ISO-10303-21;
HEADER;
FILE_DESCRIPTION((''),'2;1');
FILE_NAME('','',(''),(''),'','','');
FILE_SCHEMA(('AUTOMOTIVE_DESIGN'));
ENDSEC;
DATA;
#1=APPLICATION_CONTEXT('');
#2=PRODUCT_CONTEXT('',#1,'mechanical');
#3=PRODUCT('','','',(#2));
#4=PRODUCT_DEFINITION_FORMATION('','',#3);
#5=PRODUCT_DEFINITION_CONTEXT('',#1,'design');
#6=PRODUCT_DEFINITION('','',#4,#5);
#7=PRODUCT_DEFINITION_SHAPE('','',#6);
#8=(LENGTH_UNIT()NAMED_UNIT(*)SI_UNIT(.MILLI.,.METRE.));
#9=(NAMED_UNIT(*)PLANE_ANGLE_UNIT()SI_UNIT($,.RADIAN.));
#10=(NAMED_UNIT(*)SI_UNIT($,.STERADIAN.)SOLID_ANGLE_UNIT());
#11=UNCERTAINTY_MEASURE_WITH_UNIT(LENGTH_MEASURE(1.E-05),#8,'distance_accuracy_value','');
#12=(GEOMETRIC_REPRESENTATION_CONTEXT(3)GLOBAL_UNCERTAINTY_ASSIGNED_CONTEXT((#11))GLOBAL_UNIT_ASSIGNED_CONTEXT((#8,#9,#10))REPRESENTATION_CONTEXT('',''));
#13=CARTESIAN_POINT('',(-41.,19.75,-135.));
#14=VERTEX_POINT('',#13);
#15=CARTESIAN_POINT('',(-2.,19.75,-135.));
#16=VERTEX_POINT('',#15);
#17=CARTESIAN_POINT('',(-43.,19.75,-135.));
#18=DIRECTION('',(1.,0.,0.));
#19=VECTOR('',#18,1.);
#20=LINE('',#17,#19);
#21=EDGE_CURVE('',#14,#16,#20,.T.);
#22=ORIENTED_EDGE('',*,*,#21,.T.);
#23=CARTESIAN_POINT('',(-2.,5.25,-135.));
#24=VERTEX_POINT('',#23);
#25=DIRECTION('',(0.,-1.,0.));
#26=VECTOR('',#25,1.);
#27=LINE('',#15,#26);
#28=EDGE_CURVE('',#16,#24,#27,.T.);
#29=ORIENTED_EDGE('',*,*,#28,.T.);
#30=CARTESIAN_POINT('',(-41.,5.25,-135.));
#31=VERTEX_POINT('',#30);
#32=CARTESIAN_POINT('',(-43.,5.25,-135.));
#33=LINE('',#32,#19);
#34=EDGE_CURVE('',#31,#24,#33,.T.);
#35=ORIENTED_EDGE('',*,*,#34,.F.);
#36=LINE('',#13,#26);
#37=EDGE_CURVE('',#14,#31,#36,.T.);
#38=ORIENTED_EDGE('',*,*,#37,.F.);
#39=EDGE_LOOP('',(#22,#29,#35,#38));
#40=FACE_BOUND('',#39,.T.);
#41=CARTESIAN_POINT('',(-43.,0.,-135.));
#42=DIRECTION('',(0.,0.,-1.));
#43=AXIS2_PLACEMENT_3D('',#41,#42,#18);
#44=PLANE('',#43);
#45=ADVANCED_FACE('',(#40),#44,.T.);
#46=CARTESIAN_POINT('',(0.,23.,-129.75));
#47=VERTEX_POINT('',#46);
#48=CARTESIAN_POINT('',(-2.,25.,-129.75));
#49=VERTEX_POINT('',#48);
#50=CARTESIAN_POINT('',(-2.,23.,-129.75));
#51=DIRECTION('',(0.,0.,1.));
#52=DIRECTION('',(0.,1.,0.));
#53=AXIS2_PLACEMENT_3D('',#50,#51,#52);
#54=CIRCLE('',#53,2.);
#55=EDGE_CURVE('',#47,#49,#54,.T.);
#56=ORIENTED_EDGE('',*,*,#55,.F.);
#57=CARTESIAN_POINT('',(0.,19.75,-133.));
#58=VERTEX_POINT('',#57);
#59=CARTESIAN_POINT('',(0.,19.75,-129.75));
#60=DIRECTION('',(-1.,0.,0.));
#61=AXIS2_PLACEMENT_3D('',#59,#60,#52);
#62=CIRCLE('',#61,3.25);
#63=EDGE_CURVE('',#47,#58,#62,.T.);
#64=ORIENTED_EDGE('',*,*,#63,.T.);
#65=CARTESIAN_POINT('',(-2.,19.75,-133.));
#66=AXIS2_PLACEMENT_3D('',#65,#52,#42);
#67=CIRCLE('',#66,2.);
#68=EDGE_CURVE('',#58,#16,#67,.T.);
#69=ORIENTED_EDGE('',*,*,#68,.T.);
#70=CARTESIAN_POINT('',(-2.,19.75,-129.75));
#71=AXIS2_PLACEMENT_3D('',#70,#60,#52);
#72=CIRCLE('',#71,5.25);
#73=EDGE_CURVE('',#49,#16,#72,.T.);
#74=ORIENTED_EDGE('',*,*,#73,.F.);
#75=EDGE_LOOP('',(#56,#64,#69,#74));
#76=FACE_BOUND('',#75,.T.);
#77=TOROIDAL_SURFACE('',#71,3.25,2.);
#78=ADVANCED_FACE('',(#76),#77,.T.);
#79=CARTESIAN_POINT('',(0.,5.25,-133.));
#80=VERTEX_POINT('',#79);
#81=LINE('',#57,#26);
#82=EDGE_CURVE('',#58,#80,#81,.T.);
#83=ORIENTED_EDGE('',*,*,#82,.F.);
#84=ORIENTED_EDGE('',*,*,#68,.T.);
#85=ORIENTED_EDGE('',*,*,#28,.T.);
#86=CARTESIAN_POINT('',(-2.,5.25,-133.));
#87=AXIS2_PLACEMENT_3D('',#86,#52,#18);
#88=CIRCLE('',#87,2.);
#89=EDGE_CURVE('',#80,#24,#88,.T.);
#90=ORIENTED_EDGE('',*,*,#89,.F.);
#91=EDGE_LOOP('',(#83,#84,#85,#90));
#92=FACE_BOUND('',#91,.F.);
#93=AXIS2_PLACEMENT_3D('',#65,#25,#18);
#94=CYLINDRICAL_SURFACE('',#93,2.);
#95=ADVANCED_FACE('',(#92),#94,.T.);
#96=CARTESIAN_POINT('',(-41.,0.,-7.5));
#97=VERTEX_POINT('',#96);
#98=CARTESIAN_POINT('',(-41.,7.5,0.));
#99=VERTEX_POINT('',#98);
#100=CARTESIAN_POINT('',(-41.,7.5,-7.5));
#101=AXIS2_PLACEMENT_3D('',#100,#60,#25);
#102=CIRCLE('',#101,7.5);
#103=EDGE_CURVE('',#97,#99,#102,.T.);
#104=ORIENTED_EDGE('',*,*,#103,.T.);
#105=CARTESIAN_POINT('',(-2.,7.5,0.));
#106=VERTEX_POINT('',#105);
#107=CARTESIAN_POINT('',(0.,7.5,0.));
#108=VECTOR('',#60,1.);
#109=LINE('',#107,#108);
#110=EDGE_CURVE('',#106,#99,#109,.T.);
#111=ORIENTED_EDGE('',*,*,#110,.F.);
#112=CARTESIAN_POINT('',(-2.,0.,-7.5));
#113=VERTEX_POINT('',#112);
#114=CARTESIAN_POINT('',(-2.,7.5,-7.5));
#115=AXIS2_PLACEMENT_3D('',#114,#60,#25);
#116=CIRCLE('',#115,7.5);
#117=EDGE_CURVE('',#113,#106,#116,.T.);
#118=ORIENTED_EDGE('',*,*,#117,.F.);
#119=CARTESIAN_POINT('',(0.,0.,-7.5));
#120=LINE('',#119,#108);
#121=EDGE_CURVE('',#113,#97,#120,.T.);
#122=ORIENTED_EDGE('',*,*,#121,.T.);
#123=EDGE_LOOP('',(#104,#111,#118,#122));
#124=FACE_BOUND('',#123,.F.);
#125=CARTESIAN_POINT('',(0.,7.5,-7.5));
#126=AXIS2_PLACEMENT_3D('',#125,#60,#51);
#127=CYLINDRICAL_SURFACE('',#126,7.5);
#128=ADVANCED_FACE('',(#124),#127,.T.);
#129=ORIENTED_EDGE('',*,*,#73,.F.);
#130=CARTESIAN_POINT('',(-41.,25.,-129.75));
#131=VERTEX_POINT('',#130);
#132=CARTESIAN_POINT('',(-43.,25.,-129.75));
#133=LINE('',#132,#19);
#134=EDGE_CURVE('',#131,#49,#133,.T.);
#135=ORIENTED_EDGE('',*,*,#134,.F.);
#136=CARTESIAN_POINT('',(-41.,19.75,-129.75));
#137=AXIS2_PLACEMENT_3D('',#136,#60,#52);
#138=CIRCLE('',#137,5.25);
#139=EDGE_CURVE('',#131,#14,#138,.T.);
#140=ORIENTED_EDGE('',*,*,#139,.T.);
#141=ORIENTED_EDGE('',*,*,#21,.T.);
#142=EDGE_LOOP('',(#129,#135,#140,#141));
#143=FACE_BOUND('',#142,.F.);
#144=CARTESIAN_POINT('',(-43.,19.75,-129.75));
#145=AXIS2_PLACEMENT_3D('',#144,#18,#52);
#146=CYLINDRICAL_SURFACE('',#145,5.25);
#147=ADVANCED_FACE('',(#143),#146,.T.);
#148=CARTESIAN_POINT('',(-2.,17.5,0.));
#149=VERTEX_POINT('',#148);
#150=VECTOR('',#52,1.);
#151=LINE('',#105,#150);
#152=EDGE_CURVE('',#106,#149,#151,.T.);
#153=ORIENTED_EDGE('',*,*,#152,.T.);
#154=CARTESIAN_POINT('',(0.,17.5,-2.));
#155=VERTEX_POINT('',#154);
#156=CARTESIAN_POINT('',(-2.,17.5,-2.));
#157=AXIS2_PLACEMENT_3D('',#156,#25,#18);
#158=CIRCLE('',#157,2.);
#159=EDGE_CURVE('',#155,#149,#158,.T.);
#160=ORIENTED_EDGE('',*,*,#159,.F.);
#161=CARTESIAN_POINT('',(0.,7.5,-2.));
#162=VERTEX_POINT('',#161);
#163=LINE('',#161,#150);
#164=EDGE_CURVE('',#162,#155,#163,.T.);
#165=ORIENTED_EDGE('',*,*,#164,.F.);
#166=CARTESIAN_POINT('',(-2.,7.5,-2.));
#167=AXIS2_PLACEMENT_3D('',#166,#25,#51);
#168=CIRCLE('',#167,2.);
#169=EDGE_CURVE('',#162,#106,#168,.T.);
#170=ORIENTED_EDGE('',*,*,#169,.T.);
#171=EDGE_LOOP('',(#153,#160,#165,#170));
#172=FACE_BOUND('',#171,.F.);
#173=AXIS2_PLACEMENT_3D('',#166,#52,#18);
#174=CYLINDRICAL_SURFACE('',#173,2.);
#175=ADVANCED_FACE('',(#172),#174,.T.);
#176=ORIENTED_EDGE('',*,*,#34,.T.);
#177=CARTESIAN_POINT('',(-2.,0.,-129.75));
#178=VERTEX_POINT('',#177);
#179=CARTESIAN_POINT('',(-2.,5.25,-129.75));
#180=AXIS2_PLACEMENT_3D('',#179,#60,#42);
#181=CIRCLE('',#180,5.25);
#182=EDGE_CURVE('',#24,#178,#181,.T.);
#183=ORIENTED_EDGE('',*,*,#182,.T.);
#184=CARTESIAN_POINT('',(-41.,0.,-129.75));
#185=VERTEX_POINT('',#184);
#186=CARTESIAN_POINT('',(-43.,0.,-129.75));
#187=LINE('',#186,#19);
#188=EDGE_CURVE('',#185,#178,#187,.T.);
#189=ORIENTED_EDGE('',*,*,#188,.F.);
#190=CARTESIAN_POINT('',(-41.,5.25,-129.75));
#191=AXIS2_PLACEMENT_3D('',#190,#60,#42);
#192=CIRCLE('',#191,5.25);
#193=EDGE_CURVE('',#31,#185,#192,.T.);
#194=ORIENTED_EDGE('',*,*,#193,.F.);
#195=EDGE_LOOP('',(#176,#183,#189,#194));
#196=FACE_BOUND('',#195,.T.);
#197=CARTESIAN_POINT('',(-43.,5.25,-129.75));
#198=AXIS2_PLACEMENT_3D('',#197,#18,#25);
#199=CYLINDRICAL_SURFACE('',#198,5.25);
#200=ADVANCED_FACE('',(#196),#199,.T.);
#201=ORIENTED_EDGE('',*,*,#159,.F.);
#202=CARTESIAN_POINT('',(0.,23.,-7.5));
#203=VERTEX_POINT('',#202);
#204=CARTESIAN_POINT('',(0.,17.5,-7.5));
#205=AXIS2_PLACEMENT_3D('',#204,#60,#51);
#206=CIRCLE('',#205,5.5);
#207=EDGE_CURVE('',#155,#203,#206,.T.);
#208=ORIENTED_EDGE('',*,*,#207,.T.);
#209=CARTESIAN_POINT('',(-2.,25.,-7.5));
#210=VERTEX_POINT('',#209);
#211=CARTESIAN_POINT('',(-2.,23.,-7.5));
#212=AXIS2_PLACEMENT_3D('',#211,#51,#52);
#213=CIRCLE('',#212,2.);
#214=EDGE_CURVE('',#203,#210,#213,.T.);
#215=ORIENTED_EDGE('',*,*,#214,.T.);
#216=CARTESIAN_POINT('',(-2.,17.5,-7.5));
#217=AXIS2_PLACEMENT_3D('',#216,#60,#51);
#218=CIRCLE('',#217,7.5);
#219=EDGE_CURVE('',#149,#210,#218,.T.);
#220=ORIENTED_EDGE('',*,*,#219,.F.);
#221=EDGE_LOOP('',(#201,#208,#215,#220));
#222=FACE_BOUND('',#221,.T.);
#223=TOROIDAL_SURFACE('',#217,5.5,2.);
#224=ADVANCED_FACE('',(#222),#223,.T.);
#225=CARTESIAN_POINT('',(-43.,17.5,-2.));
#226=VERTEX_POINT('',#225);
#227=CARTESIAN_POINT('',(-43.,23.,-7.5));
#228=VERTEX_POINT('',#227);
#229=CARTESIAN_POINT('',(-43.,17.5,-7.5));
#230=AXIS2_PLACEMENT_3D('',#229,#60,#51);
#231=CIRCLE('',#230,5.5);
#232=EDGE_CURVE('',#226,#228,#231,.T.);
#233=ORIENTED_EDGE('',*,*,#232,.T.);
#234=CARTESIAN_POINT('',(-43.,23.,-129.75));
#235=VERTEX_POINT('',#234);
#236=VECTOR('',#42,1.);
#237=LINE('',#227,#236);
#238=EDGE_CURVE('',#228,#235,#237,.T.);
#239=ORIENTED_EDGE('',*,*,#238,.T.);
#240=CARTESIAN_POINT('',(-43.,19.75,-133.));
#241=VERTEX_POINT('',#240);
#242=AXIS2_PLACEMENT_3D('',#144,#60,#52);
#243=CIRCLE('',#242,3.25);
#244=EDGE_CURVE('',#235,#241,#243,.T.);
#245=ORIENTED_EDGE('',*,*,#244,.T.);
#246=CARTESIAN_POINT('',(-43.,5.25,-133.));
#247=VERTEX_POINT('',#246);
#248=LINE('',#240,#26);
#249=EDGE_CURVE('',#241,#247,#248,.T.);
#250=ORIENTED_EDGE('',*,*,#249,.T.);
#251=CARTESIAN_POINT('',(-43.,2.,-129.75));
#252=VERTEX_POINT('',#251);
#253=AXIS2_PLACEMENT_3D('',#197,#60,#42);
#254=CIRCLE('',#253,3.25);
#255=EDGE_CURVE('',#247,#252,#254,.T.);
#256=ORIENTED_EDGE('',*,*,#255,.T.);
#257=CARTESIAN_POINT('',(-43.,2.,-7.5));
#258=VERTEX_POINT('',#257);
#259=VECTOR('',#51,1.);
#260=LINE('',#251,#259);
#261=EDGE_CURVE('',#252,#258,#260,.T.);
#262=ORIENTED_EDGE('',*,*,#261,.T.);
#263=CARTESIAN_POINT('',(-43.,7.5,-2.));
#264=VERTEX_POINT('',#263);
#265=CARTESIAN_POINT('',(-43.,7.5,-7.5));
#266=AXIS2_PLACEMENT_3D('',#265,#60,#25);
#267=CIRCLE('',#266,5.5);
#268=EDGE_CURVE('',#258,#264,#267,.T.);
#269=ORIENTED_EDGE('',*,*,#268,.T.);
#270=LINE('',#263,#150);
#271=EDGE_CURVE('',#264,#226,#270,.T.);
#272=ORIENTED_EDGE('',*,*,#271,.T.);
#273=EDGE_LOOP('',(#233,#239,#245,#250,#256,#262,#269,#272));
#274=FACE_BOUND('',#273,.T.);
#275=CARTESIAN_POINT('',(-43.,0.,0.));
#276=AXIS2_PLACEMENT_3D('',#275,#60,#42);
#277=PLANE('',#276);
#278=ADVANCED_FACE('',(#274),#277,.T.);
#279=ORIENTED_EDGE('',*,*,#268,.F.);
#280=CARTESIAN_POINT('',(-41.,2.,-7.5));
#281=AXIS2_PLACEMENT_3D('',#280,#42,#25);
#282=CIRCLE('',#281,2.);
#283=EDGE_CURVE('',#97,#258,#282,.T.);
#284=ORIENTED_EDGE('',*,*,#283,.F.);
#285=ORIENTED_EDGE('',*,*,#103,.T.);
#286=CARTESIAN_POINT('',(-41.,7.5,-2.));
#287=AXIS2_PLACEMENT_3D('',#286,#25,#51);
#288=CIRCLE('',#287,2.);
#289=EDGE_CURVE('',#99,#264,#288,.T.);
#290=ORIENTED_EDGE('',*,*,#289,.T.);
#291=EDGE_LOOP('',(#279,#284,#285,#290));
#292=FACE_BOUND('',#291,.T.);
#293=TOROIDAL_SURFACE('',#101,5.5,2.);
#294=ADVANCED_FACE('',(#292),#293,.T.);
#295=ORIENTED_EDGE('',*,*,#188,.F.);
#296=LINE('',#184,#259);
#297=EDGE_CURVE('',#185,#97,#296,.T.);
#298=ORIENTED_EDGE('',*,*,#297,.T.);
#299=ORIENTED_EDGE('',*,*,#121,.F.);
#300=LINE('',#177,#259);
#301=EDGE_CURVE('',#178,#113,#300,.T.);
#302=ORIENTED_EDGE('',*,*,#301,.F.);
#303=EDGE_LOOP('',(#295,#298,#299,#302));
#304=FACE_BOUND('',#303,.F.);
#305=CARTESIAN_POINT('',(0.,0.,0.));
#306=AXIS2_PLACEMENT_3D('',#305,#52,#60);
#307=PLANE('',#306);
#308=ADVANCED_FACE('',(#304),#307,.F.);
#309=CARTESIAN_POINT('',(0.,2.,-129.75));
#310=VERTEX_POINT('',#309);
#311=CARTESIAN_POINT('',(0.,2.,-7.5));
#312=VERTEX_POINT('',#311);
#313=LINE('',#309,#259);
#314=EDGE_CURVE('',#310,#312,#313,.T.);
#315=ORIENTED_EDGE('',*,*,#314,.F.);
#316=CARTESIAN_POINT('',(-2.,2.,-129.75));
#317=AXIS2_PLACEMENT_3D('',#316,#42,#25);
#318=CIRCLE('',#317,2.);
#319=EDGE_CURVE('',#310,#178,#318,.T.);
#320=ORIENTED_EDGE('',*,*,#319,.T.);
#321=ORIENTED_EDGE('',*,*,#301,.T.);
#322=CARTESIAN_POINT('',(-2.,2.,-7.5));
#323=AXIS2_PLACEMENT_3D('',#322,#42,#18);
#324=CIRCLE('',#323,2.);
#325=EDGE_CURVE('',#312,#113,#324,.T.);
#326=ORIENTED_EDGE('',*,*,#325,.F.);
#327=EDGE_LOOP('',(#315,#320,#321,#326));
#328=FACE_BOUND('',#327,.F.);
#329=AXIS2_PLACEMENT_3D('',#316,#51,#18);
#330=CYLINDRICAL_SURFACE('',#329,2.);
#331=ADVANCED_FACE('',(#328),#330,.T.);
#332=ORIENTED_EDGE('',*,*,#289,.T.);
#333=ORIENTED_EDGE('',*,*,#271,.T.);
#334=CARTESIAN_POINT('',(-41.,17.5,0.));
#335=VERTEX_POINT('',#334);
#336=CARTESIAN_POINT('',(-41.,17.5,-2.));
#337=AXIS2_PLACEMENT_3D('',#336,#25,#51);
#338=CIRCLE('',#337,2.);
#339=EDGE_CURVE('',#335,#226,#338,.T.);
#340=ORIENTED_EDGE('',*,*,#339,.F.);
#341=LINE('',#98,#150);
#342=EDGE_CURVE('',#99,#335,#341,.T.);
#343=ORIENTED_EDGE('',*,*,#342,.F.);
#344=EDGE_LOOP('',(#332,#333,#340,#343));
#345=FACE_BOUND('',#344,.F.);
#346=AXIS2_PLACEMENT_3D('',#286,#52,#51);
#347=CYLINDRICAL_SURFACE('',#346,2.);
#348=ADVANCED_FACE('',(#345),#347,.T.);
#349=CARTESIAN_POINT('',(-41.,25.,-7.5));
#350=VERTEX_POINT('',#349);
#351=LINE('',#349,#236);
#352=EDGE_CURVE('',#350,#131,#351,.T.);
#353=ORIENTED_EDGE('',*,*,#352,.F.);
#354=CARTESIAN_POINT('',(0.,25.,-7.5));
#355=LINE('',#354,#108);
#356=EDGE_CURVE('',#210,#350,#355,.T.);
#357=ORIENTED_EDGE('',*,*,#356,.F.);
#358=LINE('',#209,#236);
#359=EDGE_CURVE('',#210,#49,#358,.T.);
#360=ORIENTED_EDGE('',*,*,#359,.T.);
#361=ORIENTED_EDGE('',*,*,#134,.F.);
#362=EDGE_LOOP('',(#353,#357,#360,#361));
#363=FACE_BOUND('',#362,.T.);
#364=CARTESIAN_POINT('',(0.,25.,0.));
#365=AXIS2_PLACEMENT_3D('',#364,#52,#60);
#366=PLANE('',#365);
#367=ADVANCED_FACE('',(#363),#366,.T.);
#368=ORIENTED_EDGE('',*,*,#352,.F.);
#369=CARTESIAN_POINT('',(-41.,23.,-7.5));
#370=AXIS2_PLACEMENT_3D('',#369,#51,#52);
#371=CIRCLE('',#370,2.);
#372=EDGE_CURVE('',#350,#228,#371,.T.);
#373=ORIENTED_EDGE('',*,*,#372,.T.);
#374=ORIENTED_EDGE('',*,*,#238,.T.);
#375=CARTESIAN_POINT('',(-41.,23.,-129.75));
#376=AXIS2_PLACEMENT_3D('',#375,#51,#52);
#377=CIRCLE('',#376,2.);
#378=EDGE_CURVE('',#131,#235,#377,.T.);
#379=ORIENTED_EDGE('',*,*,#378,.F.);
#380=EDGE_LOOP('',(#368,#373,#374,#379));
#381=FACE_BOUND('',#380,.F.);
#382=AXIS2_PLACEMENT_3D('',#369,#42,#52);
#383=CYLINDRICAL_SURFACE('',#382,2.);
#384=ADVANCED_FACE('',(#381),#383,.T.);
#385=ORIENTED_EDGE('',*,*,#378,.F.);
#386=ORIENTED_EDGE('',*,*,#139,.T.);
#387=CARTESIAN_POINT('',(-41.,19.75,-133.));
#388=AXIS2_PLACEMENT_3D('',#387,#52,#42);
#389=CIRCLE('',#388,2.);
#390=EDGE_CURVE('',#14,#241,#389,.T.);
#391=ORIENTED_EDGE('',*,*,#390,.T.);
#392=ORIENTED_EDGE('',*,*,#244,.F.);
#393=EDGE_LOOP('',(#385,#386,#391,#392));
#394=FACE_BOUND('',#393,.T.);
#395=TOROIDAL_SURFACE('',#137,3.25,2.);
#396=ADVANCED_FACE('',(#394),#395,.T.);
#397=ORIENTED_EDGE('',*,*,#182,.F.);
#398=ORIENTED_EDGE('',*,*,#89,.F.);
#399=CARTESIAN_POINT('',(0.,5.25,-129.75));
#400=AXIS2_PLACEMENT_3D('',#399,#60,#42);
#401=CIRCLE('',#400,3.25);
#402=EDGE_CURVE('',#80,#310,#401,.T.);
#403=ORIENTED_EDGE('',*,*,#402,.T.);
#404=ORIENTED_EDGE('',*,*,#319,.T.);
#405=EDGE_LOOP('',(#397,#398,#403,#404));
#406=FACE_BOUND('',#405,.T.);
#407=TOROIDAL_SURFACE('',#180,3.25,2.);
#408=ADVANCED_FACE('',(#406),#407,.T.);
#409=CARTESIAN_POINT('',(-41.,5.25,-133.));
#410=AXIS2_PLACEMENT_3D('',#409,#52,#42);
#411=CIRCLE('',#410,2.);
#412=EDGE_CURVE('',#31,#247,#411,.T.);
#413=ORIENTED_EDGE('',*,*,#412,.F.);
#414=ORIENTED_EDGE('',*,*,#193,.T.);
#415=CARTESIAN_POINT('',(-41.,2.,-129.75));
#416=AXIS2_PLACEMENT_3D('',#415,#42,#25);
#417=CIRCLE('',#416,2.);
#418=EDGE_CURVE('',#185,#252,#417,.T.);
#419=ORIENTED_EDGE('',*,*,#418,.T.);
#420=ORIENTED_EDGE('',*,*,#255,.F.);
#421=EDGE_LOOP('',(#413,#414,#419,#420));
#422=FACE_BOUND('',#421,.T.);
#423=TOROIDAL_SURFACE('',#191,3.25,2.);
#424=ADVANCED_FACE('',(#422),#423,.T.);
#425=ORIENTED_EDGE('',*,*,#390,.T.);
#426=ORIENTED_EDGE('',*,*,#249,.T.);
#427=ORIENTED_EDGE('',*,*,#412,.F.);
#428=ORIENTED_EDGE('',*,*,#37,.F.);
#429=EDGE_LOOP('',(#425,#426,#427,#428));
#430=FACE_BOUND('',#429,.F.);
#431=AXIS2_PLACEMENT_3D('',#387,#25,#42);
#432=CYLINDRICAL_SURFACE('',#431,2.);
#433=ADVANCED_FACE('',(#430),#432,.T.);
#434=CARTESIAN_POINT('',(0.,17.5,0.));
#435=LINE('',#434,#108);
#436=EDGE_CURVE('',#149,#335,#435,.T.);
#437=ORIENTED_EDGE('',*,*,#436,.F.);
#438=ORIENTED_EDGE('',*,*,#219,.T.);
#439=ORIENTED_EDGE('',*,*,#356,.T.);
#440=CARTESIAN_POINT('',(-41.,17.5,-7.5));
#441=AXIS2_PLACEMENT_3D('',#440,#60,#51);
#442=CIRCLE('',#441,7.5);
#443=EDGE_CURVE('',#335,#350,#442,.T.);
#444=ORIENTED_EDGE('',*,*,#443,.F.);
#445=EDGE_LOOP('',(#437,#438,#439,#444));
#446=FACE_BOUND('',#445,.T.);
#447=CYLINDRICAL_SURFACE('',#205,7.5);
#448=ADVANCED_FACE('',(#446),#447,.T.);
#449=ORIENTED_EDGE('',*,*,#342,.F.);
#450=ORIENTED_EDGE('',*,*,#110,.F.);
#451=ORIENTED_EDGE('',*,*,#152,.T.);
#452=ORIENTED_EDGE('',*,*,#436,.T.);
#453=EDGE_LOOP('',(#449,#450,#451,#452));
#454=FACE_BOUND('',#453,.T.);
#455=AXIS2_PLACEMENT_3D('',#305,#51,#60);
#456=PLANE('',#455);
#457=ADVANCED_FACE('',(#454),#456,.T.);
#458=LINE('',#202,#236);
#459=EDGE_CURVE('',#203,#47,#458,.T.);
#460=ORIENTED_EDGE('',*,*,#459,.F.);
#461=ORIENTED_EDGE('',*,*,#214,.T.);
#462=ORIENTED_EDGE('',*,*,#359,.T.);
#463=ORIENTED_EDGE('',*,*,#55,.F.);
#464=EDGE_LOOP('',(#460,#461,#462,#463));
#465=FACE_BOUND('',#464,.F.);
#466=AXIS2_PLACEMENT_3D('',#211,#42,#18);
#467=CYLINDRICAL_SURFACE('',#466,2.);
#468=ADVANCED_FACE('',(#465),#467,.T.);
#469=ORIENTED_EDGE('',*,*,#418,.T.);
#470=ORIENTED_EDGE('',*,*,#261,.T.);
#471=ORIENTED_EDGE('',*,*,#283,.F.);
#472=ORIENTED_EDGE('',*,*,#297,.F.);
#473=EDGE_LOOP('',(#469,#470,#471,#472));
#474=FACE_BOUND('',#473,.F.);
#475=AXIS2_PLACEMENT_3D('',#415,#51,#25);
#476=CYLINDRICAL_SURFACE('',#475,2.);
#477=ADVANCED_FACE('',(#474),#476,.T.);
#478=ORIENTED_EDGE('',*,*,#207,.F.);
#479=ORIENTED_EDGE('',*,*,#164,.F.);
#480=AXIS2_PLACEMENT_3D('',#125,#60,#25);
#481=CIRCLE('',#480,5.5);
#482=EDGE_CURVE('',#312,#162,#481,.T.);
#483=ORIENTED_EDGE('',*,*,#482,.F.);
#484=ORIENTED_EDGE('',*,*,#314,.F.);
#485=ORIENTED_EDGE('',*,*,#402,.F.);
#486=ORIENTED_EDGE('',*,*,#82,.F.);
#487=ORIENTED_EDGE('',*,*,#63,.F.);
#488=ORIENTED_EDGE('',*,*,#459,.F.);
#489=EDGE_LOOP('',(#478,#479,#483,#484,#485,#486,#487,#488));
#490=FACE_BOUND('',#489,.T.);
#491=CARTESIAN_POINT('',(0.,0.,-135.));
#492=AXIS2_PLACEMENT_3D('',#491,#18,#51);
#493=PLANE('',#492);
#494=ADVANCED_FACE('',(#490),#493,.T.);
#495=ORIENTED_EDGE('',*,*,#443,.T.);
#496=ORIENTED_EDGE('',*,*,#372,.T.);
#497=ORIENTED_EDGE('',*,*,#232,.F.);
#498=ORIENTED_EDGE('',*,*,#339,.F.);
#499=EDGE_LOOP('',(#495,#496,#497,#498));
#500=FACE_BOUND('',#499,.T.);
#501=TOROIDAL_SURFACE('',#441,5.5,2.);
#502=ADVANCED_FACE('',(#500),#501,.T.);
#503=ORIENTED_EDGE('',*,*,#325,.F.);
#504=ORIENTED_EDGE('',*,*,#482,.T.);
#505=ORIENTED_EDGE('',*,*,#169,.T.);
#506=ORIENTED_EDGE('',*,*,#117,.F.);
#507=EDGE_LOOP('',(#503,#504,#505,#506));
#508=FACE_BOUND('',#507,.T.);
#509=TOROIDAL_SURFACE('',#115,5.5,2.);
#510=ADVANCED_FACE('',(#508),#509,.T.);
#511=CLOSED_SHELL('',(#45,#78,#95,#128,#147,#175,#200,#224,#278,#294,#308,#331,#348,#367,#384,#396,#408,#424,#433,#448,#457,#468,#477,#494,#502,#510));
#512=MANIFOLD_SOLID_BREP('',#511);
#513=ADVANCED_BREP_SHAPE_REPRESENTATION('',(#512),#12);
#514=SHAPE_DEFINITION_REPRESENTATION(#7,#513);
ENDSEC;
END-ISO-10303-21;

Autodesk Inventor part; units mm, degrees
ref_plane "YZ Plane" through (0, 0, 0) normal (1, 0, 0) x (0, 1, 0)
ref_plane "XZ Plane" through (0, 0, 0) normal (0, 1, 0) x (-1, 0, 0)
ref_plane "XY Plane" through (0, 0, 0) normal (0, 0, 1) x (1, 0, 0)
sketch "Sketch2" plane through (0, 0, 0) normal (0, 1, 0) x (-1, 0, 0)
  line L0 (0, 0) -> (43, 0)
  line L1 (43, 0) -> (43, -135)
  line L2 (43, -135) -> (0, -135)
  line L3 (0, -135) -> (0, 0)
  dimension "d0" = 43
  dimension "d1" = 135
extrude "Extrusion1" add sketch "Sketch2" along normal blind 25
fillet "Fillet1" radius 7.5 2 edges at (-21.5, 25, 0) (-21.5, 0, 0)
fillet "Fillet2" radius 5.25 2 edges at (-21.5, 25, -135) (-21.5, 0, -135)
fillet "Fillet3" radius 2 16 edges at (0, 23.4623, -133.4623) (0, 12.5, -135) (0, 1.5377, -133.4623) (0, 0, -68.625) (0, 2.1967, -2.1967) (0, 12.5, 0) (0, 22.8033, -2.1967) (0, 25, -68.625) (-43, 22.8033, -2.1967) (-43, 12.5, 0) (-43, 2.1967, -2.1967) (-43, 0, -68.625) (-43, 1.5377, -133.4623) (-43, 12.5, -135) (-43, 23.4623, -133.4623) (-43, 25, -68.625)
properties part number "LiPo" material "PPS Plastic"
